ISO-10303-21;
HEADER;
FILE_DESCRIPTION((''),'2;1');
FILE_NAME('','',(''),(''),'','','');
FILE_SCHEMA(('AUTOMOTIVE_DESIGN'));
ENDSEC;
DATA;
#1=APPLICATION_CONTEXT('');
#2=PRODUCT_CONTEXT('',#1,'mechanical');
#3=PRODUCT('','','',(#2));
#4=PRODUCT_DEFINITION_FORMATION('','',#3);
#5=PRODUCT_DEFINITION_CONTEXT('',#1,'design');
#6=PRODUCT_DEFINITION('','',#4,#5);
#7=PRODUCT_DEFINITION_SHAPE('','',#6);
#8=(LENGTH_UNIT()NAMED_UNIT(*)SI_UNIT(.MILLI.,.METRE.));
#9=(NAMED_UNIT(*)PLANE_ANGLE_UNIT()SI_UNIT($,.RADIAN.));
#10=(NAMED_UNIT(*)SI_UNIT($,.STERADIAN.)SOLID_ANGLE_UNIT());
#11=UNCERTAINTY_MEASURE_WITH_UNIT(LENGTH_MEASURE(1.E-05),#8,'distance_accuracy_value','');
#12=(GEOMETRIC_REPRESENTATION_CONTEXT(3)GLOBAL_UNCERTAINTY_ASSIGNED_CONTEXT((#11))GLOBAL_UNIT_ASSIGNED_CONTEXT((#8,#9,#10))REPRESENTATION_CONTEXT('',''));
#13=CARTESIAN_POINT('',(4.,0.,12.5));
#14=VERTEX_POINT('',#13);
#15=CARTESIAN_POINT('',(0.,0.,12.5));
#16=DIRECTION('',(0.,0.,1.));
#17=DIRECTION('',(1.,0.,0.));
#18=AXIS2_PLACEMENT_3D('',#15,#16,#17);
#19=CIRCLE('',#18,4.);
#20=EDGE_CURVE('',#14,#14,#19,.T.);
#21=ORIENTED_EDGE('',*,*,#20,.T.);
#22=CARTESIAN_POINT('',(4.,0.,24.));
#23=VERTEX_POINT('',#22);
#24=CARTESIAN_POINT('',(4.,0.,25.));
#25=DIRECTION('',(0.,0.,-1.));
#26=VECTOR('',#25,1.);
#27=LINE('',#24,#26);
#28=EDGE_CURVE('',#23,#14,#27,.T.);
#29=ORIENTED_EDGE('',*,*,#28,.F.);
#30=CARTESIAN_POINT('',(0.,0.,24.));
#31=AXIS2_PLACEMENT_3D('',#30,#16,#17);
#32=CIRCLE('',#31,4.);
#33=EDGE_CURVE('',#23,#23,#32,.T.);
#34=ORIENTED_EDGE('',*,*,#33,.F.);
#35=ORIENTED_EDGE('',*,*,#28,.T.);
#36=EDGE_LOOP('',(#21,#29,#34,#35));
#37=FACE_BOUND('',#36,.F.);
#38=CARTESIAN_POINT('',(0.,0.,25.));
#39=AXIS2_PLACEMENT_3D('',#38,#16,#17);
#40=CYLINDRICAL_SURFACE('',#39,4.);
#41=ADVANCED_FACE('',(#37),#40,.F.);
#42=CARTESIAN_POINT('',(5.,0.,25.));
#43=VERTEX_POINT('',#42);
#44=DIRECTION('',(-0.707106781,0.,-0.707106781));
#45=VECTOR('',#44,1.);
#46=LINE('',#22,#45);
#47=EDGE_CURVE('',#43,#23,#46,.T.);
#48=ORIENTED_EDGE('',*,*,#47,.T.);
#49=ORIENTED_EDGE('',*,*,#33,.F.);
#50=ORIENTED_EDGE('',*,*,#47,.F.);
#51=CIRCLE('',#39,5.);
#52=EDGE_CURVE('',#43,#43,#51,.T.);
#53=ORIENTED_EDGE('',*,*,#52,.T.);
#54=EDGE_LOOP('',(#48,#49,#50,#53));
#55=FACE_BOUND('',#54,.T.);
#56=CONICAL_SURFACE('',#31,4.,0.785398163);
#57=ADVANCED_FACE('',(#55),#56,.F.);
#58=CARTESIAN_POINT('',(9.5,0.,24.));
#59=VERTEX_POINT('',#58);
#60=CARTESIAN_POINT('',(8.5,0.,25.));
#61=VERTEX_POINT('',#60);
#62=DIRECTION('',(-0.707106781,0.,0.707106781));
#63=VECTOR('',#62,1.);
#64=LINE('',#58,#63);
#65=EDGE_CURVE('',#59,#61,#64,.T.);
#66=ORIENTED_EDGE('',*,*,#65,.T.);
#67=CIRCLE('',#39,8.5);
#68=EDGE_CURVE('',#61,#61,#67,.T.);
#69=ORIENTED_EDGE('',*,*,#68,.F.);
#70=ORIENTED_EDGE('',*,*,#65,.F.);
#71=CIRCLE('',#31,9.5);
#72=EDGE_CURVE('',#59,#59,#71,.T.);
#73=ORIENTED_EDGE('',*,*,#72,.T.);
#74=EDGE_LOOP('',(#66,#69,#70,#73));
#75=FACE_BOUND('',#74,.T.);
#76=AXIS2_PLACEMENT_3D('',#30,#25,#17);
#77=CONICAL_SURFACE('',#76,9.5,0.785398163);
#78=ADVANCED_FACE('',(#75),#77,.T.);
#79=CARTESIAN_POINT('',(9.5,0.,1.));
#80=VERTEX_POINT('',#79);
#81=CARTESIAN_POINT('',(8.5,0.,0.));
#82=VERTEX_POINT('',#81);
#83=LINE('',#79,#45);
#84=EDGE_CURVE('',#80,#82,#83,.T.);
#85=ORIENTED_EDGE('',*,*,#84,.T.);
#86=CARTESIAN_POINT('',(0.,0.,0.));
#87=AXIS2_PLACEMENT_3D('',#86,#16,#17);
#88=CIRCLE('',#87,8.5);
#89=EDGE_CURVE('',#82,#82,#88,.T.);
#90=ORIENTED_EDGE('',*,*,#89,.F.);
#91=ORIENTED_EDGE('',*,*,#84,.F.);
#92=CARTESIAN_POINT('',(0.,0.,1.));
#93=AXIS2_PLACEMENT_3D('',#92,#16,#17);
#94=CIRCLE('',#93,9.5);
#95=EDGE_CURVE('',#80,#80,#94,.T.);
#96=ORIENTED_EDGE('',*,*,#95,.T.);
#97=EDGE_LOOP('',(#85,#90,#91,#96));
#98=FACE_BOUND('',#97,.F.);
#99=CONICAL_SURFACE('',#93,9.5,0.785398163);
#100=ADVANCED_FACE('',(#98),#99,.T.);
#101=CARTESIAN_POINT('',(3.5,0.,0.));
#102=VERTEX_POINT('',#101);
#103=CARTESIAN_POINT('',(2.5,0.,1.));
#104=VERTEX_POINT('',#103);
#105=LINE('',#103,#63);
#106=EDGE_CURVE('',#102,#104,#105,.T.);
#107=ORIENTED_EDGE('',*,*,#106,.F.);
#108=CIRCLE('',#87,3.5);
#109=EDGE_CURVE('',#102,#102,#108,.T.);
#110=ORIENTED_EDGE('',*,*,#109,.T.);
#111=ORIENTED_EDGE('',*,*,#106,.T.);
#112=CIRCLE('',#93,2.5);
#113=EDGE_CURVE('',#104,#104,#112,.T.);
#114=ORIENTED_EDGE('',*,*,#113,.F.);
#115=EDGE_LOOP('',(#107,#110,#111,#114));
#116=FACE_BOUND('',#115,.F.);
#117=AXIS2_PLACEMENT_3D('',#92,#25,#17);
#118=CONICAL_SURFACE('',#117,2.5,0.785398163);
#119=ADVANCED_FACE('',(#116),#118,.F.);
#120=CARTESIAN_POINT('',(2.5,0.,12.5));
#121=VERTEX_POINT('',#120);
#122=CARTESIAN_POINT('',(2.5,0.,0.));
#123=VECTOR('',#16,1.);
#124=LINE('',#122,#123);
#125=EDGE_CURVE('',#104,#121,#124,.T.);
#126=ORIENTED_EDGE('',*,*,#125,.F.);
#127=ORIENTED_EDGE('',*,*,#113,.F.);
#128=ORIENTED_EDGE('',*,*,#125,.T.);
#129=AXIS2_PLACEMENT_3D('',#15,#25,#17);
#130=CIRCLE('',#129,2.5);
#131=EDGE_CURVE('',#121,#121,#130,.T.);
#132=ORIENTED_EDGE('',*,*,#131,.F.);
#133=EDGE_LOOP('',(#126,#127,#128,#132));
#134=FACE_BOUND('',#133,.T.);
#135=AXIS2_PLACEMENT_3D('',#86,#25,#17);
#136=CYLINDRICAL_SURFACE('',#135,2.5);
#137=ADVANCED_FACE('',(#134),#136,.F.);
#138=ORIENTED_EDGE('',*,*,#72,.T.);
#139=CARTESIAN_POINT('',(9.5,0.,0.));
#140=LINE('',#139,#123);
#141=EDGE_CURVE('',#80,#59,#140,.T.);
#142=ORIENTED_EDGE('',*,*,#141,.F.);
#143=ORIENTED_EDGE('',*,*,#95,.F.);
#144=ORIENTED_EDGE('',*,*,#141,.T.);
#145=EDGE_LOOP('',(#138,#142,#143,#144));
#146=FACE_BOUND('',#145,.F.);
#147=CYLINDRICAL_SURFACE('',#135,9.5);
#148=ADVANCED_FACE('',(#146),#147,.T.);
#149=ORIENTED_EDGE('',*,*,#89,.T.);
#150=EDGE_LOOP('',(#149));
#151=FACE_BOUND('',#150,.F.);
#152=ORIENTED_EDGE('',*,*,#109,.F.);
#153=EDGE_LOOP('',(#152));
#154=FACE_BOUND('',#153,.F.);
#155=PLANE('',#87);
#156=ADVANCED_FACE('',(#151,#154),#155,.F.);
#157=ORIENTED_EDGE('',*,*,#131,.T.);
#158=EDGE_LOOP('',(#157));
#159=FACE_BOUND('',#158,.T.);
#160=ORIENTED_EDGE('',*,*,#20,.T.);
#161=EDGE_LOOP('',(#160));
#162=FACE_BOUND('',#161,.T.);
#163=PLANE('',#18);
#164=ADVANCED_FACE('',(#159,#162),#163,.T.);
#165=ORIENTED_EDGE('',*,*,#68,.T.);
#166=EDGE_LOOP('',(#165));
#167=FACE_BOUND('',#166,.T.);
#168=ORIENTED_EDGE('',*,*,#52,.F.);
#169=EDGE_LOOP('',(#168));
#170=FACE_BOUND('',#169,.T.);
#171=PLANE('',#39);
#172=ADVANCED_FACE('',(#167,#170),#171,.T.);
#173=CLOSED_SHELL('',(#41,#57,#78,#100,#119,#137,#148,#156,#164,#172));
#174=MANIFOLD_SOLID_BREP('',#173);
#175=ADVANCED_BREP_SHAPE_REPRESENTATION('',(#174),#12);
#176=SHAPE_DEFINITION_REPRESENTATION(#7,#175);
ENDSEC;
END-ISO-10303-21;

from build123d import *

# Parameters (mm, degrees)
SKETCH_R     = 9.5
SKETCH_R_2   = 2.5
PAD_DEPTH    = 25
SKETCH001_R  = 4
POCKET_DEPTH = 12.5
CHAMFER_SIZE = 1


with BuildPart() as part:
    # Sketch → Pad (new body)
    with BuildSketch(Plane.XY):
        Circle(SKETCH_R)
        Circle(SKETCH_R_2, mode=Mode.SUBTRACT)
    extrude(amount=PAD_DEPTH)

    # Sketch001 (on Face4 of Pad) → Pocket (cut)
    with BuildSketch(Plane.XY.offset(25)):
        Circle(SKETCH001_R)
    extrude(amount=-POCKET_DEPTH, mode=Mode.SUBTRACT)

    # Chamfer
    chamfer_edges = [part.edges().sort_by_distance(p)[0] for p in [
        (-9.5, 0, 25),
        (-4, 0, 25),
        (-9.5, 0, 0),
        (-2.5, 0, 0),
    ]]
    chamfer(chamfer_edges, length=CHAMFER_SIZE)


solid = part.part
